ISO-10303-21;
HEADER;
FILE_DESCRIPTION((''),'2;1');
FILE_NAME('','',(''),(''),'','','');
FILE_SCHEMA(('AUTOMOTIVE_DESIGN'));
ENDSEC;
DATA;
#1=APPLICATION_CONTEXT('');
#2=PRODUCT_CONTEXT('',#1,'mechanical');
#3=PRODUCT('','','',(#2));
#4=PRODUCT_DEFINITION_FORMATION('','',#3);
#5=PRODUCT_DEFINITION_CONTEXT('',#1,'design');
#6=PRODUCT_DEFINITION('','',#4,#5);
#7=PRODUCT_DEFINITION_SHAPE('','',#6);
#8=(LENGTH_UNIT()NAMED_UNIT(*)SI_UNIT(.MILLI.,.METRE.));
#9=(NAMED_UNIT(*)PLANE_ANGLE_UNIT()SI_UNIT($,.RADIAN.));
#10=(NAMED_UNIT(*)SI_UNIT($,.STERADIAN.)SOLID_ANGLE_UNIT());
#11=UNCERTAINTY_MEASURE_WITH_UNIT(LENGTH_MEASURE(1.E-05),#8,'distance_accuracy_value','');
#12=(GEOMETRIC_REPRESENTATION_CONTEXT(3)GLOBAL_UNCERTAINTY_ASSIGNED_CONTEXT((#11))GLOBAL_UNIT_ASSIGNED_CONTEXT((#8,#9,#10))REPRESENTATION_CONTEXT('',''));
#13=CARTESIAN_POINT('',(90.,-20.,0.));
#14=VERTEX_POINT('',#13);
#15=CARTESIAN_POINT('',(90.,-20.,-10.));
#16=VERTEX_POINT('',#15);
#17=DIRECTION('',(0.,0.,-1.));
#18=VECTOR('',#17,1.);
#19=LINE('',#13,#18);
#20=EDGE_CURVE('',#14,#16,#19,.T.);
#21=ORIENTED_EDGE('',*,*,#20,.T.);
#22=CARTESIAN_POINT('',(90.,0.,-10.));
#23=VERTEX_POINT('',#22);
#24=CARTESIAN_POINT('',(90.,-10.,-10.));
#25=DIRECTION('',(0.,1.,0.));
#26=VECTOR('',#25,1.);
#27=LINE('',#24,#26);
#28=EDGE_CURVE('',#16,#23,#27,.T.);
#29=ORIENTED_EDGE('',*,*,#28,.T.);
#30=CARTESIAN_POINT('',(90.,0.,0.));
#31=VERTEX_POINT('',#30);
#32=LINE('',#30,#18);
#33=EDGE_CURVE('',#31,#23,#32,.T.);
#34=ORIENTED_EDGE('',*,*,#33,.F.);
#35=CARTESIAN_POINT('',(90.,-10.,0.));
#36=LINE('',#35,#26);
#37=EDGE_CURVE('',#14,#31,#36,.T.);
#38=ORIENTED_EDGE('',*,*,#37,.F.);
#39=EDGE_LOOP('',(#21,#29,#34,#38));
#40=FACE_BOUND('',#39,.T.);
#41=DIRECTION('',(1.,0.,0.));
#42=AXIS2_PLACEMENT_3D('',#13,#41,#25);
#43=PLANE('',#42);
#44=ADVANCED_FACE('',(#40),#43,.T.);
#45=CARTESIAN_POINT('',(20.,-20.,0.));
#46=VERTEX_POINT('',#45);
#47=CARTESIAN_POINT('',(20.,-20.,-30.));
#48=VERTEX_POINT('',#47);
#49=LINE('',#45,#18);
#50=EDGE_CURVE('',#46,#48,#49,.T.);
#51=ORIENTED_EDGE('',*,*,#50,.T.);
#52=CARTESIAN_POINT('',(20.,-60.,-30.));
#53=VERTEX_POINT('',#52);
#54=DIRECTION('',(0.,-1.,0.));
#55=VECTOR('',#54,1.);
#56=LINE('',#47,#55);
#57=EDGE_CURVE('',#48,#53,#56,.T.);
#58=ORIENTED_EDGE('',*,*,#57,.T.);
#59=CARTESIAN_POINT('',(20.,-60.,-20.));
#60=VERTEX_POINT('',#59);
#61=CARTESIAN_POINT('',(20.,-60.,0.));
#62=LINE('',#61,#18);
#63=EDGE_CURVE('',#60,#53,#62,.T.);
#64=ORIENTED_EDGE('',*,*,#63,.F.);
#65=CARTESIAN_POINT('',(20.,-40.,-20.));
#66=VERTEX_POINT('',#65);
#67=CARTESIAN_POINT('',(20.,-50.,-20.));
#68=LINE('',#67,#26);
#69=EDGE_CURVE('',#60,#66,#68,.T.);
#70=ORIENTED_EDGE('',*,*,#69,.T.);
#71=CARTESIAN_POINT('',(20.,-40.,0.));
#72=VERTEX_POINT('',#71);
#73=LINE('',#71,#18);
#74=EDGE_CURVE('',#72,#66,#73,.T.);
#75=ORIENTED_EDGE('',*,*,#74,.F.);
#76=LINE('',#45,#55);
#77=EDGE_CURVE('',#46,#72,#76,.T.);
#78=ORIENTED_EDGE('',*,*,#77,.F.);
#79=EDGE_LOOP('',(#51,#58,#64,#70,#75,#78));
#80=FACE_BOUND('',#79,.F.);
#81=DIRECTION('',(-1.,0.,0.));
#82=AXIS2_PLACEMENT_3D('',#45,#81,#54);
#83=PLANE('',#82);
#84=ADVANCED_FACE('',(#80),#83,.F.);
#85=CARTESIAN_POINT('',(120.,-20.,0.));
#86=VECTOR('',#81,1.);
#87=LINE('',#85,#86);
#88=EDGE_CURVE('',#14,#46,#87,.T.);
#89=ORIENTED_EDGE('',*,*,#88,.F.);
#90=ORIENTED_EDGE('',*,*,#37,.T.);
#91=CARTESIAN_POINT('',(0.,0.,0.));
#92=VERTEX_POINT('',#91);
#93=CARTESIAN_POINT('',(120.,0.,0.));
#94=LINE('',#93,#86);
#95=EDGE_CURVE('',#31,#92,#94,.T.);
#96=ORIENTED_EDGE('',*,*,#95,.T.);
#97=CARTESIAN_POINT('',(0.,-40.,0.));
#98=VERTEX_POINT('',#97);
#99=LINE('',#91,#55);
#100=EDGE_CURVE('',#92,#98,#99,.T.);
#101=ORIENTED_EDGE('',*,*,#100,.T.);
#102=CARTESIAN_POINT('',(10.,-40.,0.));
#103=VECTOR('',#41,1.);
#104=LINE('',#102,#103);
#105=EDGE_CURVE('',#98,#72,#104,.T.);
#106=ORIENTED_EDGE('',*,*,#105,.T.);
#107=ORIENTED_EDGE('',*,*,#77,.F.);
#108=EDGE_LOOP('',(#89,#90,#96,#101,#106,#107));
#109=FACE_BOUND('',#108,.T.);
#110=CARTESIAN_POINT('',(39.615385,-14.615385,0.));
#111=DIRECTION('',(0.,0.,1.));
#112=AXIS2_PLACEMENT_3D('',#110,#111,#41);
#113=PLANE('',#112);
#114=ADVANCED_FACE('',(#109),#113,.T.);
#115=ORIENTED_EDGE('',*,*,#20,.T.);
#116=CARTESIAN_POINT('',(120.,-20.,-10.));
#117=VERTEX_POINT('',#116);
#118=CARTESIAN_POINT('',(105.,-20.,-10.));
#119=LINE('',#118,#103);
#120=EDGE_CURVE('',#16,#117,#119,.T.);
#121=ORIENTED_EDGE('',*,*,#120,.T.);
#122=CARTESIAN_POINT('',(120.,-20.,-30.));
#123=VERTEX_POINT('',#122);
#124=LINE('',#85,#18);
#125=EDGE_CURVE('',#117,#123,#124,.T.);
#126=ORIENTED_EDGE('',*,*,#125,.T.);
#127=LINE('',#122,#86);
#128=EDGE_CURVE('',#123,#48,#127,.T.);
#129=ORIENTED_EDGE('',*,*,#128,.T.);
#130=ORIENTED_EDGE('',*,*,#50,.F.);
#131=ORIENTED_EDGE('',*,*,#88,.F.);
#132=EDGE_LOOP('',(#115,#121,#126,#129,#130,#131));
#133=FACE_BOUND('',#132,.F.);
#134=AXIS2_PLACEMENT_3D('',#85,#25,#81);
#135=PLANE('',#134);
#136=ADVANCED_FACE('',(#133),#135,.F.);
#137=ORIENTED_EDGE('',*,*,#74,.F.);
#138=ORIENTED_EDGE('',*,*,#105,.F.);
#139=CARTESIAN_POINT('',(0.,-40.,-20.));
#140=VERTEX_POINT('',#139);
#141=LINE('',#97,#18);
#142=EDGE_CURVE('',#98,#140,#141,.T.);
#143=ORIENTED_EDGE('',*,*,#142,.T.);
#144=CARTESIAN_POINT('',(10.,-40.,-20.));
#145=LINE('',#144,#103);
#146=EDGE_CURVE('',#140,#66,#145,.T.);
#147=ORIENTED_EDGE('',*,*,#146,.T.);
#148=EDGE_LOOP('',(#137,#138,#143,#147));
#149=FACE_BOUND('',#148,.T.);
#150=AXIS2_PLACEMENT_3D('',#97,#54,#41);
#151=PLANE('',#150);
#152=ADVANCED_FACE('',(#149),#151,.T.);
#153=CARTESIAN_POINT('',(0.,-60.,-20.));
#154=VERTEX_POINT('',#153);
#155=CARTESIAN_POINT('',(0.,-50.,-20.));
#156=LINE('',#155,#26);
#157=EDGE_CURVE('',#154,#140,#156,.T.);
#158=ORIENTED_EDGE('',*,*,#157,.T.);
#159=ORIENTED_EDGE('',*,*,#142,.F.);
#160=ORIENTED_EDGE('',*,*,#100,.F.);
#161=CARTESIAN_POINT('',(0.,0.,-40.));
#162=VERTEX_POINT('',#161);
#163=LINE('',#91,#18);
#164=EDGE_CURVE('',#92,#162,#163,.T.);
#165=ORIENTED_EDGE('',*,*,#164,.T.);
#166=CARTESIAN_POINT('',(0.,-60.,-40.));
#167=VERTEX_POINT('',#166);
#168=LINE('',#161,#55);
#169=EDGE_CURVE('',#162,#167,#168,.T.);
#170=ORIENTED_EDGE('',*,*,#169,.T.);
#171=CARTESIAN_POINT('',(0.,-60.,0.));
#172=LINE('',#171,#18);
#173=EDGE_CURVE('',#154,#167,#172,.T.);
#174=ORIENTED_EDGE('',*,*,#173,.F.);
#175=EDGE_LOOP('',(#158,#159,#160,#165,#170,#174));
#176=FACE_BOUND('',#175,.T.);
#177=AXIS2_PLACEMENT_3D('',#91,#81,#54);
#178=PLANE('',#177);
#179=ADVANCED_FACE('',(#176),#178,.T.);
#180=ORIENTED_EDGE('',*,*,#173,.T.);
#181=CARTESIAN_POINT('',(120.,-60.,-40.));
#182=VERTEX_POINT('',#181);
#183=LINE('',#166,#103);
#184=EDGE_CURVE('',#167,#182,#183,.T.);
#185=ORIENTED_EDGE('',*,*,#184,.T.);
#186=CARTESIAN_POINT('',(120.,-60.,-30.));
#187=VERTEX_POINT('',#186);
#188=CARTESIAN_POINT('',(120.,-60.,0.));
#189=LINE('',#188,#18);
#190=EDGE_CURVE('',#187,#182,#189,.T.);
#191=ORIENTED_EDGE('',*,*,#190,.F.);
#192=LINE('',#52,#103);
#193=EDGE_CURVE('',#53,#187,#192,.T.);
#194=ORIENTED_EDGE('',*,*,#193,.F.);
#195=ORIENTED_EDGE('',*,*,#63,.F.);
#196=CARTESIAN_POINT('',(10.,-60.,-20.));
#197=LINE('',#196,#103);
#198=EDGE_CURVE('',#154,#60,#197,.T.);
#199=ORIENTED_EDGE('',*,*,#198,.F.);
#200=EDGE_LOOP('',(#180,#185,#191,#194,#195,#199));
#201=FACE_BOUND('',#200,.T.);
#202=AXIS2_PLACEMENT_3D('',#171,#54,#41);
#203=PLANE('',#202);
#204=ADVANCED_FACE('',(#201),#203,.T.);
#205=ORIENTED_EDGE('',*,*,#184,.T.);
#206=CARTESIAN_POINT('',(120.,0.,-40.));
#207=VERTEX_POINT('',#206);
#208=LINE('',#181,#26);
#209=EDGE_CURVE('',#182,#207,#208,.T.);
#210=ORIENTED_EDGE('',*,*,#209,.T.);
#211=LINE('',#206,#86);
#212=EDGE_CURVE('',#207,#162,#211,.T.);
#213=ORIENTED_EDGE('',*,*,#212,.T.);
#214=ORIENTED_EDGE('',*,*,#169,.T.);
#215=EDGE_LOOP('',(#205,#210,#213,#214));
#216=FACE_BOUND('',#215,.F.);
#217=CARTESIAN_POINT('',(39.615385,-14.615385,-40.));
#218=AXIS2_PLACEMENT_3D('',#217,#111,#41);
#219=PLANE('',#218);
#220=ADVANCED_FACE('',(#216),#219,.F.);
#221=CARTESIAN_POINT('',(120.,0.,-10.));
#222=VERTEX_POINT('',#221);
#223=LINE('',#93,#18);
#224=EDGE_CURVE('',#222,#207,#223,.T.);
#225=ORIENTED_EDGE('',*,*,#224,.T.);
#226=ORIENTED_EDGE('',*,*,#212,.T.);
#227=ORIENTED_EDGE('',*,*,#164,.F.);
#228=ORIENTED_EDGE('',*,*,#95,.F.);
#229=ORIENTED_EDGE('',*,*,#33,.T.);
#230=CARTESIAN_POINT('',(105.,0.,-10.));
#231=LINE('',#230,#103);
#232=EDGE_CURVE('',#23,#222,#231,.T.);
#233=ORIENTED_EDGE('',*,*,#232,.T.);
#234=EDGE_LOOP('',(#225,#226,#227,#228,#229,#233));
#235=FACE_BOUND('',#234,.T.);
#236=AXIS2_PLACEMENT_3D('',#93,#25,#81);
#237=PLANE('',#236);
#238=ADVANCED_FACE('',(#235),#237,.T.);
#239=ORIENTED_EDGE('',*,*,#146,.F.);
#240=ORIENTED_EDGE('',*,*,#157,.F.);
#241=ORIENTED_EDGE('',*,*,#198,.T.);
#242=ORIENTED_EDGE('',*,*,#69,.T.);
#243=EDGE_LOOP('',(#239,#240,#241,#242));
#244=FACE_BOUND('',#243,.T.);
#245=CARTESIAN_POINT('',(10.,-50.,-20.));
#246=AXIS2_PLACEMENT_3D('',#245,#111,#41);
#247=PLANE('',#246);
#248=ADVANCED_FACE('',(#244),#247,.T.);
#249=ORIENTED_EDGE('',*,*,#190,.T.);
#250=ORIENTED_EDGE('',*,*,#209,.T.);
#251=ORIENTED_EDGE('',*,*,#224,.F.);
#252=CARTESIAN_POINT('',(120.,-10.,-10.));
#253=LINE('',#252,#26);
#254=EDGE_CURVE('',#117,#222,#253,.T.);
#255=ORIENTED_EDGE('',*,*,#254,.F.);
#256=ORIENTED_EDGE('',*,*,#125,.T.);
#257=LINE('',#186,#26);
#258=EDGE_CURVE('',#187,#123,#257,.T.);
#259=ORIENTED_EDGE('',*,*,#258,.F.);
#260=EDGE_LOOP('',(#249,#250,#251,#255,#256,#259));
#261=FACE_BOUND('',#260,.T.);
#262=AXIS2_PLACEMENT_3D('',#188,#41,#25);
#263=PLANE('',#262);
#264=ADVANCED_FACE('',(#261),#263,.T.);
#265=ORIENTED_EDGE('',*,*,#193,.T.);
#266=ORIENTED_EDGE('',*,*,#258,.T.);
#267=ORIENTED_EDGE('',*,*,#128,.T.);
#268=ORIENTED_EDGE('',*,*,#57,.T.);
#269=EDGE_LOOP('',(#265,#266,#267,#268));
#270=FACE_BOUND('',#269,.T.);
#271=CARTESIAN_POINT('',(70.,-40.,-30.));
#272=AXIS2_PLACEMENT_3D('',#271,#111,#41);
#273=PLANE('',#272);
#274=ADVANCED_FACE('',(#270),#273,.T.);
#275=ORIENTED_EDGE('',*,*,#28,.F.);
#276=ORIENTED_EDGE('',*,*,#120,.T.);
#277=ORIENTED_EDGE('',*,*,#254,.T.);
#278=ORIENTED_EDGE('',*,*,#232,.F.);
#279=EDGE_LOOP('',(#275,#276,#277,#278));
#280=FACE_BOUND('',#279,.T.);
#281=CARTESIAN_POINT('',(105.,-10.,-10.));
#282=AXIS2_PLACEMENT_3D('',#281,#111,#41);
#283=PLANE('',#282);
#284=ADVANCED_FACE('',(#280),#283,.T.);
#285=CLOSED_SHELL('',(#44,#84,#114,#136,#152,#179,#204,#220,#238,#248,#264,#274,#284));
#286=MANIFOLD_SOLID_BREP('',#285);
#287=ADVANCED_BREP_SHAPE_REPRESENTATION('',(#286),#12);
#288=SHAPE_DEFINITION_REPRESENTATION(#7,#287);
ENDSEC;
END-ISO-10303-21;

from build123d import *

# Parameters (mm, degrees)
F0_W     = 30
F0_H     = 20
F0_W_2   = 20
F1_DEPTH = 40
F2_DEPTH = 20
F3_DEPTH = 10
F4_DEPTH = 30


with BuildPart() as f1:
    # F0 (on Top) → F1 (new body)
    with BuildSketch(Plane.XY):
        Polygon((90, 0), (0, 0), (0, -40), (20, -40), (20, -20), (90, -20), align=None)
        with Locations((105, -10)):
            Rectangle(F0_W, F0_H)
        with Locations((10, -50)):
            Rectangle(F0_W_2, F0_H)
        Polygon((120, -20), (90, -20), (20, -20), (20, -40), (20, -60), (120, -60), align=None)
    extrude(amount=-F1_DEPTH)

    # F0 (on Top) → F2 (cut)
    with BuildSketch(Plane.XY):
        with Locations((10, -50)):
            Rectangle(F0_W_2, F0_H)
    extrude(amount=-F2_DEPTH, mode=Mode.SUBTRACT)

    # F0 (on Top) → F3 (cut)
    with BuildSketch(Plane.XY):
        with Locations((105, -10)):
            Rectangle(F0_W, F0_H)
    extrude(amount=-F3_DEPTH, mode=Mode.SUBTRACT)

    # F0 (on Top) → F4 (cut)
    with BuildSketch(Plane.XY):
        Polygon((120, -20), (90, -20), (20, -20), (20, -40), (20, -60), (120, -60), align=None)
    extrude(amount=-F4_DEPTH, mode=Mode.SUBTRACT)


solid = f1.part
